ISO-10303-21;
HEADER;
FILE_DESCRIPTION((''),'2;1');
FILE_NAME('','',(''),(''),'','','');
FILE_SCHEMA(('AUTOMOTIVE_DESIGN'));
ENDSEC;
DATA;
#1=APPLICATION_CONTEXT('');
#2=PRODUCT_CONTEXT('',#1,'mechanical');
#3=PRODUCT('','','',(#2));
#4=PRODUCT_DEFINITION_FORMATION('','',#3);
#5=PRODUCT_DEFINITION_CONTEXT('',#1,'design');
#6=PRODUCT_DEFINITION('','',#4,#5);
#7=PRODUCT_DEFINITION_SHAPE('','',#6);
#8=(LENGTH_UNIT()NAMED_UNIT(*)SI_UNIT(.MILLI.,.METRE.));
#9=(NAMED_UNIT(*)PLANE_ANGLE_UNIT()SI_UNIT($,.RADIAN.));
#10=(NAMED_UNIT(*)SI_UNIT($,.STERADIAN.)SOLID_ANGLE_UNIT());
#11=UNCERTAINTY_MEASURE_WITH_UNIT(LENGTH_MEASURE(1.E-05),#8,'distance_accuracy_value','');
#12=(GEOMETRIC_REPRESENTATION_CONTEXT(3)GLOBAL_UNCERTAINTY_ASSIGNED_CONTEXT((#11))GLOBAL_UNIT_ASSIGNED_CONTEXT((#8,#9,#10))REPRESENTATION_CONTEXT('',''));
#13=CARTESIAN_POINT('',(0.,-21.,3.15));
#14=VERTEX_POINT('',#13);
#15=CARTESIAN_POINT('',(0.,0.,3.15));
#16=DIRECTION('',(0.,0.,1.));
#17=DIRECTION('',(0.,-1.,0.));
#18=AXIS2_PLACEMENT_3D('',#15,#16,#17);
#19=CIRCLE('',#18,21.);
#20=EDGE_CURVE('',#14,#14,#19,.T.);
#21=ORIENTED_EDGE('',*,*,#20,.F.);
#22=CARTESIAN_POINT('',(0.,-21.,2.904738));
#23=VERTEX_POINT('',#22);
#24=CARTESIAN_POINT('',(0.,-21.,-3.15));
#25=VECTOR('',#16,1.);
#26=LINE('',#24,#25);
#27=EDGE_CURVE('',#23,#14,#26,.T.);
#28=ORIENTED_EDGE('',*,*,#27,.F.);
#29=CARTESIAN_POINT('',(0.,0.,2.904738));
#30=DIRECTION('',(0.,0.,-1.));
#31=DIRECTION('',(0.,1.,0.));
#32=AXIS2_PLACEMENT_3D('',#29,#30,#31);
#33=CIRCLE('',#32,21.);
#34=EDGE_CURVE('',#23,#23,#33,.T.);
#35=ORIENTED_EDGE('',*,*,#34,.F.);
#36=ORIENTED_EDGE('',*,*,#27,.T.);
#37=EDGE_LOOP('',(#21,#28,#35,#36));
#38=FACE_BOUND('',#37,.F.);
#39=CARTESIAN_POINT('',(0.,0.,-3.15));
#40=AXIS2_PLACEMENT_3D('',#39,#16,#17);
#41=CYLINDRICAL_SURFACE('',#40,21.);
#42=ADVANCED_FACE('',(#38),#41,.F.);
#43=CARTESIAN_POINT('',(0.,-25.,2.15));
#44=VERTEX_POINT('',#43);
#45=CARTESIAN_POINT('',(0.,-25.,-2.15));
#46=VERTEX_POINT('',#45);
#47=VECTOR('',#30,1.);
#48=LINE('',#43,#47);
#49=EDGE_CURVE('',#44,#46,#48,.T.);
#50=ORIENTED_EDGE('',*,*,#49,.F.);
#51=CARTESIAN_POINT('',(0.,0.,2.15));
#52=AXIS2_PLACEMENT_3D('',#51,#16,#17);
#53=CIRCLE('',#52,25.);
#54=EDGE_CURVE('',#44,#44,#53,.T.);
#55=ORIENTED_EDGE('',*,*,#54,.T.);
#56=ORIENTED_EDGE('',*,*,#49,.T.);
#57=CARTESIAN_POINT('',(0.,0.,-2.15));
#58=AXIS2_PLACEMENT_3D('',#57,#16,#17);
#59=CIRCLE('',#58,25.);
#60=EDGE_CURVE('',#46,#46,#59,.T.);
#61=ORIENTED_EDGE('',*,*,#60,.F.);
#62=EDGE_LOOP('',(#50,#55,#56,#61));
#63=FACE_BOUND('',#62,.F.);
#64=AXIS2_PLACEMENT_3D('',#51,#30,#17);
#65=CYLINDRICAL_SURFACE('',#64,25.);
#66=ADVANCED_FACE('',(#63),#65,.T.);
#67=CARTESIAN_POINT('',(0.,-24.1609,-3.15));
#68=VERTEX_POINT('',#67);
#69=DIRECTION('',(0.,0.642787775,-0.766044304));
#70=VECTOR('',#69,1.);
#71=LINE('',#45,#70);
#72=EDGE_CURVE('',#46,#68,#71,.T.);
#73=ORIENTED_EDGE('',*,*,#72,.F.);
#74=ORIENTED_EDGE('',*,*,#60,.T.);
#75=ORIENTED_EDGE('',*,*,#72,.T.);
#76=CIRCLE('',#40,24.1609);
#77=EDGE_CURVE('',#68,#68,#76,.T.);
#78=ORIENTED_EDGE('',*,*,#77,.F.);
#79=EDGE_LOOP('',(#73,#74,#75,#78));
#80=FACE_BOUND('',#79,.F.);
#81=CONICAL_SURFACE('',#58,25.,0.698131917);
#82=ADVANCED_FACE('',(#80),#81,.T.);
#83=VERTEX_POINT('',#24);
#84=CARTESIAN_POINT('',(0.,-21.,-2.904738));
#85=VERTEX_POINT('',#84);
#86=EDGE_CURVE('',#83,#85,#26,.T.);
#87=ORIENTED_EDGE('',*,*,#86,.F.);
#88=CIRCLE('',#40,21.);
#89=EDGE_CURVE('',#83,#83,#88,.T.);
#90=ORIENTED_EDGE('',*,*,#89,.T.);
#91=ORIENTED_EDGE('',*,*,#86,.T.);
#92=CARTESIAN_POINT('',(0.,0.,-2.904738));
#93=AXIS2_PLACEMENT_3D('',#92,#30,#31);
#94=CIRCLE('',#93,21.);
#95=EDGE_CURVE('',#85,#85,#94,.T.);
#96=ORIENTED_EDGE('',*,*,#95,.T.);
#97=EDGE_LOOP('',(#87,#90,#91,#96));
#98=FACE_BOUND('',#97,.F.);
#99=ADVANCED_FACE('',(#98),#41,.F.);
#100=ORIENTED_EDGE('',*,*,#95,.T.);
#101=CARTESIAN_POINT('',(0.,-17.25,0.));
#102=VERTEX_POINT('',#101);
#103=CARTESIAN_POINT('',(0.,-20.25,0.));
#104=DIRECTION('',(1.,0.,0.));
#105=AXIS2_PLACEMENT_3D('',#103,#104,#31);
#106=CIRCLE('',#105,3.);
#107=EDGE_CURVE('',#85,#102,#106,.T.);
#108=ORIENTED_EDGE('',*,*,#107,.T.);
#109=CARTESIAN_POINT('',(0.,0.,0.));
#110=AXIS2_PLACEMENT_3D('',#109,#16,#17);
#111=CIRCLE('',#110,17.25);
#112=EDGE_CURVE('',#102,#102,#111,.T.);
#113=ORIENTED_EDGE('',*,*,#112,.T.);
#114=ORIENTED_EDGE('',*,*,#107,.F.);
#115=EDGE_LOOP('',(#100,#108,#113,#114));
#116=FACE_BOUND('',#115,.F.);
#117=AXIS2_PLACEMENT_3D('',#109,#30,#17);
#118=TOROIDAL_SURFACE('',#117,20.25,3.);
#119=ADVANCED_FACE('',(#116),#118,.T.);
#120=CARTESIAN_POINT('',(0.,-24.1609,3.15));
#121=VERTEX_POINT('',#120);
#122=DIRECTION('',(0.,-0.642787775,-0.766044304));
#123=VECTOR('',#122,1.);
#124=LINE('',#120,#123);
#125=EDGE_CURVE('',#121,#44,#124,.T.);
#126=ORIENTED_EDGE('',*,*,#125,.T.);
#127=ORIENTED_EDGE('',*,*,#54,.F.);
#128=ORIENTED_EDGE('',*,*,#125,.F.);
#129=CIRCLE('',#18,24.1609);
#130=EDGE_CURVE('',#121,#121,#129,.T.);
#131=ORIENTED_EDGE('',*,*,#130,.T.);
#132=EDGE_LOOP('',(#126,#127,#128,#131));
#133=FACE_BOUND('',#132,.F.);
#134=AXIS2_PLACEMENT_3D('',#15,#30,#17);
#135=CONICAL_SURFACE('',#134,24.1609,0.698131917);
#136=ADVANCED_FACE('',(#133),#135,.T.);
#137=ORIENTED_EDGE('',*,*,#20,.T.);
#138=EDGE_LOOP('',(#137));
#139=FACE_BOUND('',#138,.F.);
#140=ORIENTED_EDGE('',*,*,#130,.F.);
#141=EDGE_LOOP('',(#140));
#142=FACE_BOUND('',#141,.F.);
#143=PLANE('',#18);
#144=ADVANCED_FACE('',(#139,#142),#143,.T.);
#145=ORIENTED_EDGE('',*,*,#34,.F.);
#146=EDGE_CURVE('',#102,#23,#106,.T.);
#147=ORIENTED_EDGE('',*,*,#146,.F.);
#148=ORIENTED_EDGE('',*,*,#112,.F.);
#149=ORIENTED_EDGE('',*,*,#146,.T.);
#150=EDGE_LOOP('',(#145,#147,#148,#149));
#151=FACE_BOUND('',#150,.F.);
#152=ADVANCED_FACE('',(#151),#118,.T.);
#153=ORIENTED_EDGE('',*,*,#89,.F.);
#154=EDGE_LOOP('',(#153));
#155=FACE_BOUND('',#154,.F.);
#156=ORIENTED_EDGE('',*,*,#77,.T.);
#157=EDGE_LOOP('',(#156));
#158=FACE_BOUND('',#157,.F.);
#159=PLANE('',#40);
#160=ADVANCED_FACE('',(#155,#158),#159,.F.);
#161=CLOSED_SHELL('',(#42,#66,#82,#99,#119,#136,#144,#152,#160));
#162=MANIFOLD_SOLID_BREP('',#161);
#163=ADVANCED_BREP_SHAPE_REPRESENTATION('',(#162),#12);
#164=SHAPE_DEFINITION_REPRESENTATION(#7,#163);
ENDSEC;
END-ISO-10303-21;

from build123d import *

# Parameters (mm, degrees)
F0_R = 3


with BuildPart() as f2:
    # F0 (on Right) → F2 (revolve)
    with BuildSketch(Plane.YZ):
        with Locations((-20.25, 0)):
            Circle(F0_R)
    revolve(axis=Axis((0, 0, 3.531123), (0, 0, 1)))

    # F1 (on Right) → F3 (revolve)
    with BuildSketch(Plane.YZ):
        Polygon((-21, -3.15), (-21, 3.15), (-24.1609, 3.15), (-25, 2.15), (-25, -2.15), (-24.1609, -3.15), align=None)
    revolve(axis=Axis((0, 0, 4.346792), (0, 0, 1)))


solid = f2.part
